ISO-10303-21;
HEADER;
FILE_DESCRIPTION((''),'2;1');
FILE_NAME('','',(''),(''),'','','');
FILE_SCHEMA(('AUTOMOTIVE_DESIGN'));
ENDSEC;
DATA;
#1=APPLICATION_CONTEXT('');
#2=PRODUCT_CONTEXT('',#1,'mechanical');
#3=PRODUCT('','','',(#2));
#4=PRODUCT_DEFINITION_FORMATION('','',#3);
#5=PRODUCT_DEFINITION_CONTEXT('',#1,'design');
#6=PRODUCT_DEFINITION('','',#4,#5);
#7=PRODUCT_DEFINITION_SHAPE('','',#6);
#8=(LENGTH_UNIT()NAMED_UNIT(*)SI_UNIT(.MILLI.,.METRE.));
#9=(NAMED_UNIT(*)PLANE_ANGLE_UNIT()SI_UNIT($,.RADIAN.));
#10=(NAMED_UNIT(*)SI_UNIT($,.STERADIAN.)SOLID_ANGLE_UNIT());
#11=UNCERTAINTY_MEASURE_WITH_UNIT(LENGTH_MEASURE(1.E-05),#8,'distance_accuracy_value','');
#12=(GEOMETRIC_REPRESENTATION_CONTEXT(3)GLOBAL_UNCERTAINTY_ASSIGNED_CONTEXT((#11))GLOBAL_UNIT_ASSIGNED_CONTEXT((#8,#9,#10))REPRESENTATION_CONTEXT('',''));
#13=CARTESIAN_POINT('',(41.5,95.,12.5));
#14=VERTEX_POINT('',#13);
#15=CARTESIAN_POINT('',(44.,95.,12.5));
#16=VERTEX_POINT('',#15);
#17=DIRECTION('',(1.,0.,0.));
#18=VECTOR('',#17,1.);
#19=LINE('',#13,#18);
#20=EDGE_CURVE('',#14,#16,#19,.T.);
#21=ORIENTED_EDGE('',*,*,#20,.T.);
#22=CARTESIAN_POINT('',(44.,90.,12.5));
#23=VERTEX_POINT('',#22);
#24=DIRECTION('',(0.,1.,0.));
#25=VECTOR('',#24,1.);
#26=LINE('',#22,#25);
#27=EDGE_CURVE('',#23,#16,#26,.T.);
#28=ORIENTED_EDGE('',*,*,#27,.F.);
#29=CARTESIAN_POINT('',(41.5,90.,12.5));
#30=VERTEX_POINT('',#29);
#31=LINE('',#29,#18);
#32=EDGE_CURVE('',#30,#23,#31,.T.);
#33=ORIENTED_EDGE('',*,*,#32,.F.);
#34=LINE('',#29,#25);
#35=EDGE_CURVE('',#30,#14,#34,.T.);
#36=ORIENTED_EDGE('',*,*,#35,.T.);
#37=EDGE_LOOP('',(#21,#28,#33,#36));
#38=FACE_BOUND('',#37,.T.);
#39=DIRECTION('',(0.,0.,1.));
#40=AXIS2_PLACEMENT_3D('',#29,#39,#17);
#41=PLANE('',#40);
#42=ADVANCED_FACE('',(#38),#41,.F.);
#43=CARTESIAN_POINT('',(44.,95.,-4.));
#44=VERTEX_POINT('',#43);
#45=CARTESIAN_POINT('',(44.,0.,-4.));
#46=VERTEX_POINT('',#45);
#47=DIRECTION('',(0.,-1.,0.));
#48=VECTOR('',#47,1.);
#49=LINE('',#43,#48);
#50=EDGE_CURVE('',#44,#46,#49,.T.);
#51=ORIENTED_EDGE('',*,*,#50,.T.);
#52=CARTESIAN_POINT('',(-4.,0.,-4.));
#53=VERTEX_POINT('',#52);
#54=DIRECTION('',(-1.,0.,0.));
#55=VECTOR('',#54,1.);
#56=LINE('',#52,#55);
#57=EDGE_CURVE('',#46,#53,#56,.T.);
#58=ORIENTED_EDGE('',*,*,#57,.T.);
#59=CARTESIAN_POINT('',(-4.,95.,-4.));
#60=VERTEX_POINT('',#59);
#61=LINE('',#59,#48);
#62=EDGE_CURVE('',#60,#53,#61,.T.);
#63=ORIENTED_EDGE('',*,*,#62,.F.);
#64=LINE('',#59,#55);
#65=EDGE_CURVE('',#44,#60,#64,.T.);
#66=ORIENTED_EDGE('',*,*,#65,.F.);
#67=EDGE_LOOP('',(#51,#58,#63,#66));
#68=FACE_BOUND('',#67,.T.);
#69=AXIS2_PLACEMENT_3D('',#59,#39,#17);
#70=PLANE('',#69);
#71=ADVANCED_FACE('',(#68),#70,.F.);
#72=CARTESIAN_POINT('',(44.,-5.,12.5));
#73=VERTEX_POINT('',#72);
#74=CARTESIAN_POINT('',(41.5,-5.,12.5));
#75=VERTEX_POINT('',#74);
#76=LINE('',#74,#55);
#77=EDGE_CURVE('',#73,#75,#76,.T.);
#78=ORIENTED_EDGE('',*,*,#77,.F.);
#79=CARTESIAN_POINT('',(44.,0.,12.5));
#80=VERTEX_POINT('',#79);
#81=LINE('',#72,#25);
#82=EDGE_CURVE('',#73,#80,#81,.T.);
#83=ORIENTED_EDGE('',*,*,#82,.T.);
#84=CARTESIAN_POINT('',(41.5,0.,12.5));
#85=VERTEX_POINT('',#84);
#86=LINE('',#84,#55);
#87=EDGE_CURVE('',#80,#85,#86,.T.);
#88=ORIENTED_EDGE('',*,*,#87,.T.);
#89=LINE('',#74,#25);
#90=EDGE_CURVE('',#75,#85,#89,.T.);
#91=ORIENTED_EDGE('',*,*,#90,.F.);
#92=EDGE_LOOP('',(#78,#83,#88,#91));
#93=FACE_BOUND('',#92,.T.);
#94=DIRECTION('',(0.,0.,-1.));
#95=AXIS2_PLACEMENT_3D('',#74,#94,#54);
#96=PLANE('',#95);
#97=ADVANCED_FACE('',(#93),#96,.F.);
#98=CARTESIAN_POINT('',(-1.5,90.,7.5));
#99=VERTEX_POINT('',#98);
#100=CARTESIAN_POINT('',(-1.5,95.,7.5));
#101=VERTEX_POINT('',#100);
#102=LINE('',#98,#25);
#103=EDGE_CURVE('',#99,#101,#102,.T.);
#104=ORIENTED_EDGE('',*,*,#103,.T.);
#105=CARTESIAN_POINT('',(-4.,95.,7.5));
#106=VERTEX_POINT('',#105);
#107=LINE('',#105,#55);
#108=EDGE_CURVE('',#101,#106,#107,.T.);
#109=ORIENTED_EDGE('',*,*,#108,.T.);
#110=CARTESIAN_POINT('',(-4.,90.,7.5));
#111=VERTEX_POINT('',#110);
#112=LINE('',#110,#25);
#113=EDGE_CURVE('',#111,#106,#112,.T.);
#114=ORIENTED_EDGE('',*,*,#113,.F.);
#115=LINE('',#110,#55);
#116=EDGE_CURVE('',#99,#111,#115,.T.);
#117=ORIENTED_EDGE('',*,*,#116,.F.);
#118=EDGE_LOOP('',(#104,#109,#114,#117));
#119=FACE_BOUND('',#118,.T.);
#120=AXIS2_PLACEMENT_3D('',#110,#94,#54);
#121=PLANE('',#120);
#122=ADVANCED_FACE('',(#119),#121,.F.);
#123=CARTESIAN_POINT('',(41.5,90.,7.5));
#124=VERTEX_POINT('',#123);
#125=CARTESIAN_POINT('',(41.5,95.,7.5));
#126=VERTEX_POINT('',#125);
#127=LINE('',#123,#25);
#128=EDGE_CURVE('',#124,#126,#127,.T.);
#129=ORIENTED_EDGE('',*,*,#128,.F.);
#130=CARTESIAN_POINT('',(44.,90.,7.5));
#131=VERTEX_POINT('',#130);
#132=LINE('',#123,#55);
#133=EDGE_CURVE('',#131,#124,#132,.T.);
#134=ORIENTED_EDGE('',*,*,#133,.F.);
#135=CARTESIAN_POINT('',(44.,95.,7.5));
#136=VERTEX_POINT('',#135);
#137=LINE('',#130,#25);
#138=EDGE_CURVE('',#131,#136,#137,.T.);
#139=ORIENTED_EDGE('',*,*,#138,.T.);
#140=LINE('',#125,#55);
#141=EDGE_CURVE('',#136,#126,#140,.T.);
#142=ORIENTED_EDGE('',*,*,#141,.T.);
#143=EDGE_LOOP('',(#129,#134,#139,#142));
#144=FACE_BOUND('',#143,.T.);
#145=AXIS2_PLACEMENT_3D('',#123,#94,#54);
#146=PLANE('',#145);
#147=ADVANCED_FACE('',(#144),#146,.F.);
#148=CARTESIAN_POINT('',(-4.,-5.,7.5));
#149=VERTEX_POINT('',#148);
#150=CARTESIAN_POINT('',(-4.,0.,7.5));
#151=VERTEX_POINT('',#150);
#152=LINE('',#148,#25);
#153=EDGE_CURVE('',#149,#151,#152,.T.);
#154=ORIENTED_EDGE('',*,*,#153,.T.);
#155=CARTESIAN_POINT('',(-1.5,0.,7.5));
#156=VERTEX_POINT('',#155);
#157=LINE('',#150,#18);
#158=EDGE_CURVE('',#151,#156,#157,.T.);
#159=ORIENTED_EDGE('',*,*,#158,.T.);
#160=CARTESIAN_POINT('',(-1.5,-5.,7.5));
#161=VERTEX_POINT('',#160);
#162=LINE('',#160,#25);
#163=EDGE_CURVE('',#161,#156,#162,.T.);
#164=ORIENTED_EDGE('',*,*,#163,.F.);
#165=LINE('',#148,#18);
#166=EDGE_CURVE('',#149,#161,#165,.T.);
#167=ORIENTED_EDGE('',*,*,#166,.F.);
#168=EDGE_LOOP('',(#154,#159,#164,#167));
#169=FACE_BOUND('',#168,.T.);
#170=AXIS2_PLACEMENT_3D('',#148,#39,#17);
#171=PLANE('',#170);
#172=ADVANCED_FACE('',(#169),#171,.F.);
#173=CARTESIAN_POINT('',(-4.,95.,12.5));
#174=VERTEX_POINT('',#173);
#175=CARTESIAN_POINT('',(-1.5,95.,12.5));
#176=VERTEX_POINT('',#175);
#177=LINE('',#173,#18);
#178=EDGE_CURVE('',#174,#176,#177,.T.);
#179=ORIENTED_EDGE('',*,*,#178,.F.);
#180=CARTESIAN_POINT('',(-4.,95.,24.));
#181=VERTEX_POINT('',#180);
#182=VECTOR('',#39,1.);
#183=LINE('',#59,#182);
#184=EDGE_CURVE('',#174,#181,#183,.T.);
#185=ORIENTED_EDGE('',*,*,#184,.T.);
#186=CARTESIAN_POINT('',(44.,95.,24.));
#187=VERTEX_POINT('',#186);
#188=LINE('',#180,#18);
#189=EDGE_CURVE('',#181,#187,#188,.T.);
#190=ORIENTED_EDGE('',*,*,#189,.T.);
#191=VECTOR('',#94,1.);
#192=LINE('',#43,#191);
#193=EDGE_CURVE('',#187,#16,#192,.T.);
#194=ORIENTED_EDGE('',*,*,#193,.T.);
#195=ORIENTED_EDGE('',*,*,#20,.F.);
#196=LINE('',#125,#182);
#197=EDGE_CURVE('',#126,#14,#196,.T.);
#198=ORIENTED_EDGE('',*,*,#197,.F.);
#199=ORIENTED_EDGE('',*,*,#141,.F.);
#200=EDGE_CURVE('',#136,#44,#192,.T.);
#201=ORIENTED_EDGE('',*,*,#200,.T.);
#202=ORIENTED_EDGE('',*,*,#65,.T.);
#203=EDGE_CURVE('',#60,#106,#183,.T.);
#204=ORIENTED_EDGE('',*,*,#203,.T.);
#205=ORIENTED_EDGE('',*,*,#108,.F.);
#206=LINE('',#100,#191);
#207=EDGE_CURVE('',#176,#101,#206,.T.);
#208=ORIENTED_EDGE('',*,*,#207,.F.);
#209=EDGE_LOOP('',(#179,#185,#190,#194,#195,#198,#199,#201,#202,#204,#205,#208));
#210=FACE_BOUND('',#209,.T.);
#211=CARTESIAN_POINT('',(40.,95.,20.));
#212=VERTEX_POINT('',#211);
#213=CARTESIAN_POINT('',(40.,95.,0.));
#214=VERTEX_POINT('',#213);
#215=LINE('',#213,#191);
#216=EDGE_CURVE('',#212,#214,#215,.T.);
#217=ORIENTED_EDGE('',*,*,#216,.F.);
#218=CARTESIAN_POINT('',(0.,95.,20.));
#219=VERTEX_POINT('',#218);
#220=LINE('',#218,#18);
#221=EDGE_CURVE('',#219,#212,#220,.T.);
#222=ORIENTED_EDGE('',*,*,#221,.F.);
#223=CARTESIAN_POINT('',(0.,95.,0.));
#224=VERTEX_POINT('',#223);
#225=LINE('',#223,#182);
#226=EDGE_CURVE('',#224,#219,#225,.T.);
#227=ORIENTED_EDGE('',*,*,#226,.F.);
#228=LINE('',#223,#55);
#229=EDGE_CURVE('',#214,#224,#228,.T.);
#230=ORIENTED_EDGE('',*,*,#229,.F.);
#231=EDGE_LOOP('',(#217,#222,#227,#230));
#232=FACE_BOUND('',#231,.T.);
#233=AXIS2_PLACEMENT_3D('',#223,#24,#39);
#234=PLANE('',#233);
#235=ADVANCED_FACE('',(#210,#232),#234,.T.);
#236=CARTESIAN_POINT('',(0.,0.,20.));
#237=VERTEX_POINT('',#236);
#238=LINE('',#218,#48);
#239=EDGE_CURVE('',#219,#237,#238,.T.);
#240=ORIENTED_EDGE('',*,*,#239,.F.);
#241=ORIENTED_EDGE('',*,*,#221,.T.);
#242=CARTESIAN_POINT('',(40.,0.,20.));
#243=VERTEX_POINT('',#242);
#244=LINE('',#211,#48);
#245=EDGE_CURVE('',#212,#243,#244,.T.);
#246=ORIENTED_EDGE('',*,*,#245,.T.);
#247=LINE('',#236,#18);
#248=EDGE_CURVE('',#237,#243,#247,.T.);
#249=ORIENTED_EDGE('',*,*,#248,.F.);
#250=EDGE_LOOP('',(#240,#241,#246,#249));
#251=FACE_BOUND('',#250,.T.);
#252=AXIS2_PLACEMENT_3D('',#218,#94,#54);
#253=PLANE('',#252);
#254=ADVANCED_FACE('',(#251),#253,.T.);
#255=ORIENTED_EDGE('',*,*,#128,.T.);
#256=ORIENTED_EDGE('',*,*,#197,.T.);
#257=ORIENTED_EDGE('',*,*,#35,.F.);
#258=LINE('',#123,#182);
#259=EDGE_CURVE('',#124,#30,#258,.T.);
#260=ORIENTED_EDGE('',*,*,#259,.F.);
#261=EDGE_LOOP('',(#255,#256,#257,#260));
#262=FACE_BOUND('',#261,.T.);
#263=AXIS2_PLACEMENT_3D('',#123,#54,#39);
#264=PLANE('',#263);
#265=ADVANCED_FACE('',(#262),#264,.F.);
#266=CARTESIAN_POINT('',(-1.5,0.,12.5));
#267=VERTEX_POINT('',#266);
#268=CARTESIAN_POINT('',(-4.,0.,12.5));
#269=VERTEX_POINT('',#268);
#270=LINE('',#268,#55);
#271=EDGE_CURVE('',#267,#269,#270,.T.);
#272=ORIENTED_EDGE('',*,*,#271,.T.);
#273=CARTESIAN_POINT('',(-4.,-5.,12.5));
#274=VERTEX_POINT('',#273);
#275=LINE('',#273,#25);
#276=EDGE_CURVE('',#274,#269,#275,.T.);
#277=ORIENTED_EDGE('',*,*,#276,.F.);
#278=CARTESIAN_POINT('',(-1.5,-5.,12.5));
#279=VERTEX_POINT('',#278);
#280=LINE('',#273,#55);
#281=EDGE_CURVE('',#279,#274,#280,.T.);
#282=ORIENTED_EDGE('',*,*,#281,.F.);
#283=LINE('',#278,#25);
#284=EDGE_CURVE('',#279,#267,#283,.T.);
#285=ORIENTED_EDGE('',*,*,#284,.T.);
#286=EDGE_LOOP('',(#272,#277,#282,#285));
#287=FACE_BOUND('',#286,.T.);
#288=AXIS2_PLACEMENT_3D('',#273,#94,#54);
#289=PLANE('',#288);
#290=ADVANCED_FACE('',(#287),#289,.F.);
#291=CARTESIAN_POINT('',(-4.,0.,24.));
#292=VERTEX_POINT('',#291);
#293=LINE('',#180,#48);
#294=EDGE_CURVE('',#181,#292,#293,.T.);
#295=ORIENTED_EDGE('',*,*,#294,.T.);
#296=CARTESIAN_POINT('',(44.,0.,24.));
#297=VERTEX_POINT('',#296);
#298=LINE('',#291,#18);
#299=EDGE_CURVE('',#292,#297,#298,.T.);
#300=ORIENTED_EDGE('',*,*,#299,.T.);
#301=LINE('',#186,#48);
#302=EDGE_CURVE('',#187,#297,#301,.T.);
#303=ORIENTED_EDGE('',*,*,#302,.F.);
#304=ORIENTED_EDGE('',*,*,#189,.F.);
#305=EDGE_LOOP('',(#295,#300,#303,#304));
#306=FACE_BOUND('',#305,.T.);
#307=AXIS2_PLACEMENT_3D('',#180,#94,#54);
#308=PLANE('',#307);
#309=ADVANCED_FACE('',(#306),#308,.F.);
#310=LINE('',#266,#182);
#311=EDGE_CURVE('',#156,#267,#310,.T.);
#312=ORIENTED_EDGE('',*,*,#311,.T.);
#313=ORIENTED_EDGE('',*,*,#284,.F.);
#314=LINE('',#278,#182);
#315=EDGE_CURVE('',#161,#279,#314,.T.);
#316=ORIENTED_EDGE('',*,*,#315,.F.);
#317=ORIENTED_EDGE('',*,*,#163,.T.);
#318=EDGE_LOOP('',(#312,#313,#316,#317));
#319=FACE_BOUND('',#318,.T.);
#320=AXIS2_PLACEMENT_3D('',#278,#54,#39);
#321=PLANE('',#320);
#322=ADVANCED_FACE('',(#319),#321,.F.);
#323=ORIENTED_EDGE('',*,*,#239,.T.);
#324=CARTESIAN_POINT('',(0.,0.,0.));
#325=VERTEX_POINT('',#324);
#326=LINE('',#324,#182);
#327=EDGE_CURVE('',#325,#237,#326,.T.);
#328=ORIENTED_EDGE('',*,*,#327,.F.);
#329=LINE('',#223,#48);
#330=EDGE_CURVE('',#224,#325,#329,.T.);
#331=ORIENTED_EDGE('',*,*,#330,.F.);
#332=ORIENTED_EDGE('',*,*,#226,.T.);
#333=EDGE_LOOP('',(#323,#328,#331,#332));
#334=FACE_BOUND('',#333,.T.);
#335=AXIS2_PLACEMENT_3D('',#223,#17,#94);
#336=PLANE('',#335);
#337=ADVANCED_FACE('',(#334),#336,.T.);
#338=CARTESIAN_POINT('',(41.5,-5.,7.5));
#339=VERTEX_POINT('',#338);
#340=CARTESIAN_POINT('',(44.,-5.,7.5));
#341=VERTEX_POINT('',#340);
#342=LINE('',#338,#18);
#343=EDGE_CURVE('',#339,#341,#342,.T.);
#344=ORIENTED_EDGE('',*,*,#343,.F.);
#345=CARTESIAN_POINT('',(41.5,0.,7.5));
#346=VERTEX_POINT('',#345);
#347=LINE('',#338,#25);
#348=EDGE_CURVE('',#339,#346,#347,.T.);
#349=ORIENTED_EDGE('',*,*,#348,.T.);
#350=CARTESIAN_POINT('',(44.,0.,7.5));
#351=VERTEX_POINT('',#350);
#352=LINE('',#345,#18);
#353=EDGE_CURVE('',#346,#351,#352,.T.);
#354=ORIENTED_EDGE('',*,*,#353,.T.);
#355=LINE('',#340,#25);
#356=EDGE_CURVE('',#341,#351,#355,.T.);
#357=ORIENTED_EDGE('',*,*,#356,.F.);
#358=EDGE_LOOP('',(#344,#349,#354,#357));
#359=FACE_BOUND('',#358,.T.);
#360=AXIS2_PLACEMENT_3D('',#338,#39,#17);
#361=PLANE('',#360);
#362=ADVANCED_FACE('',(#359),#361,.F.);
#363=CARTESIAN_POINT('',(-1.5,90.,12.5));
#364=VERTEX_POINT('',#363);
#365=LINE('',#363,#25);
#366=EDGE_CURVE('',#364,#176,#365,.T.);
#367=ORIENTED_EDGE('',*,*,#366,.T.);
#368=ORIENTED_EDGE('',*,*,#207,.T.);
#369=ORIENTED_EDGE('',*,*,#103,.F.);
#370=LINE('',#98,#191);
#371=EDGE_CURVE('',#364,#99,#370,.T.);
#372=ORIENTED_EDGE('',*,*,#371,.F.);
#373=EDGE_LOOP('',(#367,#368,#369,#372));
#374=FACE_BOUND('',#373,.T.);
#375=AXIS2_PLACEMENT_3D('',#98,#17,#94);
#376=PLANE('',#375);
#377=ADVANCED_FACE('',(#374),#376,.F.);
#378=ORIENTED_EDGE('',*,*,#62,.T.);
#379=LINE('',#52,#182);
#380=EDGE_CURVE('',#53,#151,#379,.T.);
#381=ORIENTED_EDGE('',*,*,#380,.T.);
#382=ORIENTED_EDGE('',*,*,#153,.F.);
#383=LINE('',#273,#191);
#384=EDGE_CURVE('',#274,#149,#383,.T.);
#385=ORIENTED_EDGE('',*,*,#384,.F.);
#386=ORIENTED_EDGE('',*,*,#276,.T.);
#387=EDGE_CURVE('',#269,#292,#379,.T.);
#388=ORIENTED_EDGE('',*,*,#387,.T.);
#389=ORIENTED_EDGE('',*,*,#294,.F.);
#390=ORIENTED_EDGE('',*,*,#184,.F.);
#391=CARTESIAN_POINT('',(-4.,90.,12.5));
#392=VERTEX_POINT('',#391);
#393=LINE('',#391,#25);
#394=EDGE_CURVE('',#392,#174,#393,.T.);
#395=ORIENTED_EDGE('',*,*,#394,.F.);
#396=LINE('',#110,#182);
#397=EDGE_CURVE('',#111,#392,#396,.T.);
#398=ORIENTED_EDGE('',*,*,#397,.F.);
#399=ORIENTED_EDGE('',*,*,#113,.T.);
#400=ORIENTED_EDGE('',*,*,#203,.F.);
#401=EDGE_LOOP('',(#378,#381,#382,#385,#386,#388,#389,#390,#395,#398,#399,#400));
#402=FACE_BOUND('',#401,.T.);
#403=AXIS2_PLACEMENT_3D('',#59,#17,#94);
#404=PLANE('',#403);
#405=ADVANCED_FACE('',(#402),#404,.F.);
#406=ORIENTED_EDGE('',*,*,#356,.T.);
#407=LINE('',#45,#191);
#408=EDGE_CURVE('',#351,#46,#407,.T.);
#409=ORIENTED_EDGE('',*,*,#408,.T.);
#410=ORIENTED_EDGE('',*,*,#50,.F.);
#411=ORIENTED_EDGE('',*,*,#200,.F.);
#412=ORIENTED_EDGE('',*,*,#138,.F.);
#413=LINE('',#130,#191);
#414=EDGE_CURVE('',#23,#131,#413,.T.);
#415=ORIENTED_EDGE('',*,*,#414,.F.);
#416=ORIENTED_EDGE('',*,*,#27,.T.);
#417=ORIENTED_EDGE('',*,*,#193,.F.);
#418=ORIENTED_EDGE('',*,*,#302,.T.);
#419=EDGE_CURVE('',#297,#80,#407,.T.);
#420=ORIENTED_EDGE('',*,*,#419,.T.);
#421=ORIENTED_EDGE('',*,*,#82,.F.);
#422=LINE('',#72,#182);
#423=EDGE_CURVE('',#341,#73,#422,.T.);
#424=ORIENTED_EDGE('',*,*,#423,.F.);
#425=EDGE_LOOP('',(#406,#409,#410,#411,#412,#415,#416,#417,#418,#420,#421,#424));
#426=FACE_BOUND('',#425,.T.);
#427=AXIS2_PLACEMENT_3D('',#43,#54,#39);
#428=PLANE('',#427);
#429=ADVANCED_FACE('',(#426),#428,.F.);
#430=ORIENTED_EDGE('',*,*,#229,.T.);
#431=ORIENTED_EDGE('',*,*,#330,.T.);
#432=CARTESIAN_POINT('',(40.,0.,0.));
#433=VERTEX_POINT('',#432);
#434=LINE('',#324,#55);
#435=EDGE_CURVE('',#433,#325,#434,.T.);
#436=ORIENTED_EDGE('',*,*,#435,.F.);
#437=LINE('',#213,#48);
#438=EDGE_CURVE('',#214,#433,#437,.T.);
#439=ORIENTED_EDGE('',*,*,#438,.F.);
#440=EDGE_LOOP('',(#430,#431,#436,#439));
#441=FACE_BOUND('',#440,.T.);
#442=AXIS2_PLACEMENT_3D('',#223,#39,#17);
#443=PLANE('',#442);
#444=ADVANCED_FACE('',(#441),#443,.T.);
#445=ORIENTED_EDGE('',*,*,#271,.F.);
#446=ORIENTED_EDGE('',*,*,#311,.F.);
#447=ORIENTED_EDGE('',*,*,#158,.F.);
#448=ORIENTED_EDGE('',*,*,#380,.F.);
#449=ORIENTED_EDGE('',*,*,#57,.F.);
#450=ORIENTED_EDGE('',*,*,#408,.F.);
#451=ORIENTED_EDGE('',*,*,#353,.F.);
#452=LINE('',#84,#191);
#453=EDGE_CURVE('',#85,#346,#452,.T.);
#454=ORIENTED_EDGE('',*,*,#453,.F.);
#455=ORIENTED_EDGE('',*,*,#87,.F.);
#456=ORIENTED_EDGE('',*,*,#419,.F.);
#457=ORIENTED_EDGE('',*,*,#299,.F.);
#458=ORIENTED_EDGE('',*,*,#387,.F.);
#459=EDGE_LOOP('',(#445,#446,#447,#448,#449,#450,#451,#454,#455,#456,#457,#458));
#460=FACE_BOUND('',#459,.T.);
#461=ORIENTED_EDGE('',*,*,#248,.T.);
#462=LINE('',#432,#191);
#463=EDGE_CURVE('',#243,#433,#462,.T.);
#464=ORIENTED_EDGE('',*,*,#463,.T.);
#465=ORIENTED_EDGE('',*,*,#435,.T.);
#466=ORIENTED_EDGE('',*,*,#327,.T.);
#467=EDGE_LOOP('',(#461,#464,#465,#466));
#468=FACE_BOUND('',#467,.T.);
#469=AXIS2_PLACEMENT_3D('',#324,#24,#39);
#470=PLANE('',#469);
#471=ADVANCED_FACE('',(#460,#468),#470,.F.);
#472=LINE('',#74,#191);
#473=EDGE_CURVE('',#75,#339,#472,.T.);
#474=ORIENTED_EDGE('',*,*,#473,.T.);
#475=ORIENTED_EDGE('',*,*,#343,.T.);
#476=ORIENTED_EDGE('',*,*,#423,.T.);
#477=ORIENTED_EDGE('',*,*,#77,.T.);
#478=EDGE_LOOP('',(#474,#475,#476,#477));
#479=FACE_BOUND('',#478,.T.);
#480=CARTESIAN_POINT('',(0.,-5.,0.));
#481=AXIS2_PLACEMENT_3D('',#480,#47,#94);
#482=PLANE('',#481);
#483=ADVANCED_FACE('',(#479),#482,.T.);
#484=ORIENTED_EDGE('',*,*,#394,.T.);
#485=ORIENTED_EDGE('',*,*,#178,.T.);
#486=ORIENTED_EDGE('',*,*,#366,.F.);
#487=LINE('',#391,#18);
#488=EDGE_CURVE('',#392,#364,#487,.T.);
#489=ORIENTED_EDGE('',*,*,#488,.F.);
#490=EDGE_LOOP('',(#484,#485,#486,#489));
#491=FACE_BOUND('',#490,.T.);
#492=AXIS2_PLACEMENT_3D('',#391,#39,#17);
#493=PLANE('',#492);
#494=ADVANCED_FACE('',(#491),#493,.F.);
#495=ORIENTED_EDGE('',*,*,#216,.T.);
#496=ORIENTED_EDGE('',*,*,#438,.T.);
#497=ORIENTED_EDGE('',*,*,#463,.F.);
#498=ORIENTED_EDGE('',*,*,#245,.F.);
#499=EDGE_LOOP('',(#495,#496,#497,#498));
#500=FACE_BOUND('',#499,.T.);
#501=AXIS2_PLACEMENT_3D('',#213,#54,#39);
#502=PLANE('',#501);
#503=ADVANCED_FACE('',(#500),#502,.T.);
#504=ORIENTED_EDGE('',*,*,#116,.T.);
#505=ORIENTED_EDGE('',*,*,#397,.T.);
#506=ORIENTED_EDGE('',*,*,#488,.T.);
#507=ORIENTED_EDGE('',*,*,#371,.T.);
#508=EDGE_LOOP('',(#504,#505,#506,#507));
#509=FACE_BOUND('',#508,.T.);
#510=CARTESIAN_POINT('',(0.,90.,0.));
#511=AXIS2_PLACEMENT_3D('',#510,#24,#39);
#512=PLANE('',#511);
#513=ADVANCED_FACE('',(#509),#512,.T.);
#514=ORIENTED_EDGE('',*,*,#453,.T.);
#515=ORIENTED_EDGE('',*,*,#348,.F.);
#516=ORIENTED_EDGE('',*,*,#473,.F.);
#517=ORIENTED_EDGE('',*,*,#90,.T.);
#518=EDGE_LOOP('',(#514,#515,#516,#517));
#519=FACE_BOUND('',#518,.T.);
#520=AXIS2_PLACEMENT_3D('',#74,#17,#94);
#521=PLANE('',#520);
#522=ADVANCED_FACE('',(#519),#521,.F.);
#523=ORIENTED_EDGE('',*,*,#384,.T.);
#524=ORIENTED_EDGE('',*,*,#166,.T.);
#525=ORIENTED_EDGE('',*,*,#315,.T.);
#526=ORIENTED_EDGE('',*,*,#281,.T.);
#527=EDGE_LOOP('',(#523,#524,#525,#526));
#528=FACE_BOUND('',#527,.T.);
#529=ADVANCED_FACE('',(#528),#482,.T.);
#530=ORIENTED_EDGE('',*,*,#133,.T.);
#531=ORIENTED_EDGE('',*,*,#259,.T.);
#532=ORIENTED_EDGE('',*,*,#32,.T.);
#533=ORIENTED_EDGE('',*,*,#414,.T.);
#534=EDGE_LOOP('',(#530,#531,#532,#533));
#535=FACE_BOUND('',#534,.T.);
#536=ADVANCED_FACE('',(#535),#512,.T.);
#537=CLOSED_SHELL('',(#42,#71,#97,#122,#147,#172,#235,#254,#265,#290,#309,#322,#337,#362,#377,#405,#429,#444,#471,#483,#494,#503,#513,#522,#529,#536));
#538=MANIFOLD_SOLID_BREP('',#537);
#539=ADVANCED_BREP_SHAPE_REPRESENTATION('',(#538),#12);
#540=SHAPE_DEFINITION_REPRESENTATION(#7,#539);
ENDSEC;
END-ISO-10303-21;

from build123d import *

# Parameters (mm, degrees)
SKETCH1_W           = 48
SKETCH1_H           = 28
SKETCH1_W_2         = 40
SKETCH1_H_2         = 20
BOSS_EXTRUDE1_DEPTH = 95
SKETCH2_W           = 2.5
SKETCH2_H           = 5
CUT_EXTRUDE1_DEPTH  = 5
SKETCH6_W           = 2.5
SKETCH6_H           = 5
BOSS_EXTRUDE3_DEPTH = 5


with BuildPart() as part:
    # Sketch1 → Boss-Extrude1 (new body)
    with BuildSketch(Plane(origin=(0, 0, 0), x_dir=(1, 0, 0), z_dir=(0, 1, 0))):
        with Locations((20, -10)):
            Rectangle(SKETCH1_W, SKETCH1_H)
        with Locations((20, -10)):
            Rectangle(SKETCH1_W_2, SKETCH1_H_2, mode=Mode.SUBTRACT)
    extrude(amount=BOSS_EXTRUDE1_DEPTH)

    # Sketch2 → Cut-Extrude1 (cut)
    with BuildSketch(Plane(origin=(0, 95, 0), x_dir=(1, 0, 0), z_dir=(0, 1, 0))):
        with Locations((-2.75, -10)):
            Rectangle(SKETCH2_W, SKETCH2_H)
        with Locations((42.75, -10)):
            Rectangle(SKETCH2_W, SKETCH2_H)
    extrude(amount=-CUT_EXTRUDE1_DEPTH, mode=Mode.SUBTRACT)

    # Sketch6 → Boss-Extrude3 (add)
    with BuildSketch(Plane.XZ):
        with Locations((-2.75, 10)):
            Rectangle(SKETCH6_W, SKETCH6_H)
        with Locations((42.75, 10)):
            Rectangle(SKETCH6_W, SKETCH6_H)
    extrude(amount=BOSS_EXTRUDE3_DEPTH)


solid = part.part
